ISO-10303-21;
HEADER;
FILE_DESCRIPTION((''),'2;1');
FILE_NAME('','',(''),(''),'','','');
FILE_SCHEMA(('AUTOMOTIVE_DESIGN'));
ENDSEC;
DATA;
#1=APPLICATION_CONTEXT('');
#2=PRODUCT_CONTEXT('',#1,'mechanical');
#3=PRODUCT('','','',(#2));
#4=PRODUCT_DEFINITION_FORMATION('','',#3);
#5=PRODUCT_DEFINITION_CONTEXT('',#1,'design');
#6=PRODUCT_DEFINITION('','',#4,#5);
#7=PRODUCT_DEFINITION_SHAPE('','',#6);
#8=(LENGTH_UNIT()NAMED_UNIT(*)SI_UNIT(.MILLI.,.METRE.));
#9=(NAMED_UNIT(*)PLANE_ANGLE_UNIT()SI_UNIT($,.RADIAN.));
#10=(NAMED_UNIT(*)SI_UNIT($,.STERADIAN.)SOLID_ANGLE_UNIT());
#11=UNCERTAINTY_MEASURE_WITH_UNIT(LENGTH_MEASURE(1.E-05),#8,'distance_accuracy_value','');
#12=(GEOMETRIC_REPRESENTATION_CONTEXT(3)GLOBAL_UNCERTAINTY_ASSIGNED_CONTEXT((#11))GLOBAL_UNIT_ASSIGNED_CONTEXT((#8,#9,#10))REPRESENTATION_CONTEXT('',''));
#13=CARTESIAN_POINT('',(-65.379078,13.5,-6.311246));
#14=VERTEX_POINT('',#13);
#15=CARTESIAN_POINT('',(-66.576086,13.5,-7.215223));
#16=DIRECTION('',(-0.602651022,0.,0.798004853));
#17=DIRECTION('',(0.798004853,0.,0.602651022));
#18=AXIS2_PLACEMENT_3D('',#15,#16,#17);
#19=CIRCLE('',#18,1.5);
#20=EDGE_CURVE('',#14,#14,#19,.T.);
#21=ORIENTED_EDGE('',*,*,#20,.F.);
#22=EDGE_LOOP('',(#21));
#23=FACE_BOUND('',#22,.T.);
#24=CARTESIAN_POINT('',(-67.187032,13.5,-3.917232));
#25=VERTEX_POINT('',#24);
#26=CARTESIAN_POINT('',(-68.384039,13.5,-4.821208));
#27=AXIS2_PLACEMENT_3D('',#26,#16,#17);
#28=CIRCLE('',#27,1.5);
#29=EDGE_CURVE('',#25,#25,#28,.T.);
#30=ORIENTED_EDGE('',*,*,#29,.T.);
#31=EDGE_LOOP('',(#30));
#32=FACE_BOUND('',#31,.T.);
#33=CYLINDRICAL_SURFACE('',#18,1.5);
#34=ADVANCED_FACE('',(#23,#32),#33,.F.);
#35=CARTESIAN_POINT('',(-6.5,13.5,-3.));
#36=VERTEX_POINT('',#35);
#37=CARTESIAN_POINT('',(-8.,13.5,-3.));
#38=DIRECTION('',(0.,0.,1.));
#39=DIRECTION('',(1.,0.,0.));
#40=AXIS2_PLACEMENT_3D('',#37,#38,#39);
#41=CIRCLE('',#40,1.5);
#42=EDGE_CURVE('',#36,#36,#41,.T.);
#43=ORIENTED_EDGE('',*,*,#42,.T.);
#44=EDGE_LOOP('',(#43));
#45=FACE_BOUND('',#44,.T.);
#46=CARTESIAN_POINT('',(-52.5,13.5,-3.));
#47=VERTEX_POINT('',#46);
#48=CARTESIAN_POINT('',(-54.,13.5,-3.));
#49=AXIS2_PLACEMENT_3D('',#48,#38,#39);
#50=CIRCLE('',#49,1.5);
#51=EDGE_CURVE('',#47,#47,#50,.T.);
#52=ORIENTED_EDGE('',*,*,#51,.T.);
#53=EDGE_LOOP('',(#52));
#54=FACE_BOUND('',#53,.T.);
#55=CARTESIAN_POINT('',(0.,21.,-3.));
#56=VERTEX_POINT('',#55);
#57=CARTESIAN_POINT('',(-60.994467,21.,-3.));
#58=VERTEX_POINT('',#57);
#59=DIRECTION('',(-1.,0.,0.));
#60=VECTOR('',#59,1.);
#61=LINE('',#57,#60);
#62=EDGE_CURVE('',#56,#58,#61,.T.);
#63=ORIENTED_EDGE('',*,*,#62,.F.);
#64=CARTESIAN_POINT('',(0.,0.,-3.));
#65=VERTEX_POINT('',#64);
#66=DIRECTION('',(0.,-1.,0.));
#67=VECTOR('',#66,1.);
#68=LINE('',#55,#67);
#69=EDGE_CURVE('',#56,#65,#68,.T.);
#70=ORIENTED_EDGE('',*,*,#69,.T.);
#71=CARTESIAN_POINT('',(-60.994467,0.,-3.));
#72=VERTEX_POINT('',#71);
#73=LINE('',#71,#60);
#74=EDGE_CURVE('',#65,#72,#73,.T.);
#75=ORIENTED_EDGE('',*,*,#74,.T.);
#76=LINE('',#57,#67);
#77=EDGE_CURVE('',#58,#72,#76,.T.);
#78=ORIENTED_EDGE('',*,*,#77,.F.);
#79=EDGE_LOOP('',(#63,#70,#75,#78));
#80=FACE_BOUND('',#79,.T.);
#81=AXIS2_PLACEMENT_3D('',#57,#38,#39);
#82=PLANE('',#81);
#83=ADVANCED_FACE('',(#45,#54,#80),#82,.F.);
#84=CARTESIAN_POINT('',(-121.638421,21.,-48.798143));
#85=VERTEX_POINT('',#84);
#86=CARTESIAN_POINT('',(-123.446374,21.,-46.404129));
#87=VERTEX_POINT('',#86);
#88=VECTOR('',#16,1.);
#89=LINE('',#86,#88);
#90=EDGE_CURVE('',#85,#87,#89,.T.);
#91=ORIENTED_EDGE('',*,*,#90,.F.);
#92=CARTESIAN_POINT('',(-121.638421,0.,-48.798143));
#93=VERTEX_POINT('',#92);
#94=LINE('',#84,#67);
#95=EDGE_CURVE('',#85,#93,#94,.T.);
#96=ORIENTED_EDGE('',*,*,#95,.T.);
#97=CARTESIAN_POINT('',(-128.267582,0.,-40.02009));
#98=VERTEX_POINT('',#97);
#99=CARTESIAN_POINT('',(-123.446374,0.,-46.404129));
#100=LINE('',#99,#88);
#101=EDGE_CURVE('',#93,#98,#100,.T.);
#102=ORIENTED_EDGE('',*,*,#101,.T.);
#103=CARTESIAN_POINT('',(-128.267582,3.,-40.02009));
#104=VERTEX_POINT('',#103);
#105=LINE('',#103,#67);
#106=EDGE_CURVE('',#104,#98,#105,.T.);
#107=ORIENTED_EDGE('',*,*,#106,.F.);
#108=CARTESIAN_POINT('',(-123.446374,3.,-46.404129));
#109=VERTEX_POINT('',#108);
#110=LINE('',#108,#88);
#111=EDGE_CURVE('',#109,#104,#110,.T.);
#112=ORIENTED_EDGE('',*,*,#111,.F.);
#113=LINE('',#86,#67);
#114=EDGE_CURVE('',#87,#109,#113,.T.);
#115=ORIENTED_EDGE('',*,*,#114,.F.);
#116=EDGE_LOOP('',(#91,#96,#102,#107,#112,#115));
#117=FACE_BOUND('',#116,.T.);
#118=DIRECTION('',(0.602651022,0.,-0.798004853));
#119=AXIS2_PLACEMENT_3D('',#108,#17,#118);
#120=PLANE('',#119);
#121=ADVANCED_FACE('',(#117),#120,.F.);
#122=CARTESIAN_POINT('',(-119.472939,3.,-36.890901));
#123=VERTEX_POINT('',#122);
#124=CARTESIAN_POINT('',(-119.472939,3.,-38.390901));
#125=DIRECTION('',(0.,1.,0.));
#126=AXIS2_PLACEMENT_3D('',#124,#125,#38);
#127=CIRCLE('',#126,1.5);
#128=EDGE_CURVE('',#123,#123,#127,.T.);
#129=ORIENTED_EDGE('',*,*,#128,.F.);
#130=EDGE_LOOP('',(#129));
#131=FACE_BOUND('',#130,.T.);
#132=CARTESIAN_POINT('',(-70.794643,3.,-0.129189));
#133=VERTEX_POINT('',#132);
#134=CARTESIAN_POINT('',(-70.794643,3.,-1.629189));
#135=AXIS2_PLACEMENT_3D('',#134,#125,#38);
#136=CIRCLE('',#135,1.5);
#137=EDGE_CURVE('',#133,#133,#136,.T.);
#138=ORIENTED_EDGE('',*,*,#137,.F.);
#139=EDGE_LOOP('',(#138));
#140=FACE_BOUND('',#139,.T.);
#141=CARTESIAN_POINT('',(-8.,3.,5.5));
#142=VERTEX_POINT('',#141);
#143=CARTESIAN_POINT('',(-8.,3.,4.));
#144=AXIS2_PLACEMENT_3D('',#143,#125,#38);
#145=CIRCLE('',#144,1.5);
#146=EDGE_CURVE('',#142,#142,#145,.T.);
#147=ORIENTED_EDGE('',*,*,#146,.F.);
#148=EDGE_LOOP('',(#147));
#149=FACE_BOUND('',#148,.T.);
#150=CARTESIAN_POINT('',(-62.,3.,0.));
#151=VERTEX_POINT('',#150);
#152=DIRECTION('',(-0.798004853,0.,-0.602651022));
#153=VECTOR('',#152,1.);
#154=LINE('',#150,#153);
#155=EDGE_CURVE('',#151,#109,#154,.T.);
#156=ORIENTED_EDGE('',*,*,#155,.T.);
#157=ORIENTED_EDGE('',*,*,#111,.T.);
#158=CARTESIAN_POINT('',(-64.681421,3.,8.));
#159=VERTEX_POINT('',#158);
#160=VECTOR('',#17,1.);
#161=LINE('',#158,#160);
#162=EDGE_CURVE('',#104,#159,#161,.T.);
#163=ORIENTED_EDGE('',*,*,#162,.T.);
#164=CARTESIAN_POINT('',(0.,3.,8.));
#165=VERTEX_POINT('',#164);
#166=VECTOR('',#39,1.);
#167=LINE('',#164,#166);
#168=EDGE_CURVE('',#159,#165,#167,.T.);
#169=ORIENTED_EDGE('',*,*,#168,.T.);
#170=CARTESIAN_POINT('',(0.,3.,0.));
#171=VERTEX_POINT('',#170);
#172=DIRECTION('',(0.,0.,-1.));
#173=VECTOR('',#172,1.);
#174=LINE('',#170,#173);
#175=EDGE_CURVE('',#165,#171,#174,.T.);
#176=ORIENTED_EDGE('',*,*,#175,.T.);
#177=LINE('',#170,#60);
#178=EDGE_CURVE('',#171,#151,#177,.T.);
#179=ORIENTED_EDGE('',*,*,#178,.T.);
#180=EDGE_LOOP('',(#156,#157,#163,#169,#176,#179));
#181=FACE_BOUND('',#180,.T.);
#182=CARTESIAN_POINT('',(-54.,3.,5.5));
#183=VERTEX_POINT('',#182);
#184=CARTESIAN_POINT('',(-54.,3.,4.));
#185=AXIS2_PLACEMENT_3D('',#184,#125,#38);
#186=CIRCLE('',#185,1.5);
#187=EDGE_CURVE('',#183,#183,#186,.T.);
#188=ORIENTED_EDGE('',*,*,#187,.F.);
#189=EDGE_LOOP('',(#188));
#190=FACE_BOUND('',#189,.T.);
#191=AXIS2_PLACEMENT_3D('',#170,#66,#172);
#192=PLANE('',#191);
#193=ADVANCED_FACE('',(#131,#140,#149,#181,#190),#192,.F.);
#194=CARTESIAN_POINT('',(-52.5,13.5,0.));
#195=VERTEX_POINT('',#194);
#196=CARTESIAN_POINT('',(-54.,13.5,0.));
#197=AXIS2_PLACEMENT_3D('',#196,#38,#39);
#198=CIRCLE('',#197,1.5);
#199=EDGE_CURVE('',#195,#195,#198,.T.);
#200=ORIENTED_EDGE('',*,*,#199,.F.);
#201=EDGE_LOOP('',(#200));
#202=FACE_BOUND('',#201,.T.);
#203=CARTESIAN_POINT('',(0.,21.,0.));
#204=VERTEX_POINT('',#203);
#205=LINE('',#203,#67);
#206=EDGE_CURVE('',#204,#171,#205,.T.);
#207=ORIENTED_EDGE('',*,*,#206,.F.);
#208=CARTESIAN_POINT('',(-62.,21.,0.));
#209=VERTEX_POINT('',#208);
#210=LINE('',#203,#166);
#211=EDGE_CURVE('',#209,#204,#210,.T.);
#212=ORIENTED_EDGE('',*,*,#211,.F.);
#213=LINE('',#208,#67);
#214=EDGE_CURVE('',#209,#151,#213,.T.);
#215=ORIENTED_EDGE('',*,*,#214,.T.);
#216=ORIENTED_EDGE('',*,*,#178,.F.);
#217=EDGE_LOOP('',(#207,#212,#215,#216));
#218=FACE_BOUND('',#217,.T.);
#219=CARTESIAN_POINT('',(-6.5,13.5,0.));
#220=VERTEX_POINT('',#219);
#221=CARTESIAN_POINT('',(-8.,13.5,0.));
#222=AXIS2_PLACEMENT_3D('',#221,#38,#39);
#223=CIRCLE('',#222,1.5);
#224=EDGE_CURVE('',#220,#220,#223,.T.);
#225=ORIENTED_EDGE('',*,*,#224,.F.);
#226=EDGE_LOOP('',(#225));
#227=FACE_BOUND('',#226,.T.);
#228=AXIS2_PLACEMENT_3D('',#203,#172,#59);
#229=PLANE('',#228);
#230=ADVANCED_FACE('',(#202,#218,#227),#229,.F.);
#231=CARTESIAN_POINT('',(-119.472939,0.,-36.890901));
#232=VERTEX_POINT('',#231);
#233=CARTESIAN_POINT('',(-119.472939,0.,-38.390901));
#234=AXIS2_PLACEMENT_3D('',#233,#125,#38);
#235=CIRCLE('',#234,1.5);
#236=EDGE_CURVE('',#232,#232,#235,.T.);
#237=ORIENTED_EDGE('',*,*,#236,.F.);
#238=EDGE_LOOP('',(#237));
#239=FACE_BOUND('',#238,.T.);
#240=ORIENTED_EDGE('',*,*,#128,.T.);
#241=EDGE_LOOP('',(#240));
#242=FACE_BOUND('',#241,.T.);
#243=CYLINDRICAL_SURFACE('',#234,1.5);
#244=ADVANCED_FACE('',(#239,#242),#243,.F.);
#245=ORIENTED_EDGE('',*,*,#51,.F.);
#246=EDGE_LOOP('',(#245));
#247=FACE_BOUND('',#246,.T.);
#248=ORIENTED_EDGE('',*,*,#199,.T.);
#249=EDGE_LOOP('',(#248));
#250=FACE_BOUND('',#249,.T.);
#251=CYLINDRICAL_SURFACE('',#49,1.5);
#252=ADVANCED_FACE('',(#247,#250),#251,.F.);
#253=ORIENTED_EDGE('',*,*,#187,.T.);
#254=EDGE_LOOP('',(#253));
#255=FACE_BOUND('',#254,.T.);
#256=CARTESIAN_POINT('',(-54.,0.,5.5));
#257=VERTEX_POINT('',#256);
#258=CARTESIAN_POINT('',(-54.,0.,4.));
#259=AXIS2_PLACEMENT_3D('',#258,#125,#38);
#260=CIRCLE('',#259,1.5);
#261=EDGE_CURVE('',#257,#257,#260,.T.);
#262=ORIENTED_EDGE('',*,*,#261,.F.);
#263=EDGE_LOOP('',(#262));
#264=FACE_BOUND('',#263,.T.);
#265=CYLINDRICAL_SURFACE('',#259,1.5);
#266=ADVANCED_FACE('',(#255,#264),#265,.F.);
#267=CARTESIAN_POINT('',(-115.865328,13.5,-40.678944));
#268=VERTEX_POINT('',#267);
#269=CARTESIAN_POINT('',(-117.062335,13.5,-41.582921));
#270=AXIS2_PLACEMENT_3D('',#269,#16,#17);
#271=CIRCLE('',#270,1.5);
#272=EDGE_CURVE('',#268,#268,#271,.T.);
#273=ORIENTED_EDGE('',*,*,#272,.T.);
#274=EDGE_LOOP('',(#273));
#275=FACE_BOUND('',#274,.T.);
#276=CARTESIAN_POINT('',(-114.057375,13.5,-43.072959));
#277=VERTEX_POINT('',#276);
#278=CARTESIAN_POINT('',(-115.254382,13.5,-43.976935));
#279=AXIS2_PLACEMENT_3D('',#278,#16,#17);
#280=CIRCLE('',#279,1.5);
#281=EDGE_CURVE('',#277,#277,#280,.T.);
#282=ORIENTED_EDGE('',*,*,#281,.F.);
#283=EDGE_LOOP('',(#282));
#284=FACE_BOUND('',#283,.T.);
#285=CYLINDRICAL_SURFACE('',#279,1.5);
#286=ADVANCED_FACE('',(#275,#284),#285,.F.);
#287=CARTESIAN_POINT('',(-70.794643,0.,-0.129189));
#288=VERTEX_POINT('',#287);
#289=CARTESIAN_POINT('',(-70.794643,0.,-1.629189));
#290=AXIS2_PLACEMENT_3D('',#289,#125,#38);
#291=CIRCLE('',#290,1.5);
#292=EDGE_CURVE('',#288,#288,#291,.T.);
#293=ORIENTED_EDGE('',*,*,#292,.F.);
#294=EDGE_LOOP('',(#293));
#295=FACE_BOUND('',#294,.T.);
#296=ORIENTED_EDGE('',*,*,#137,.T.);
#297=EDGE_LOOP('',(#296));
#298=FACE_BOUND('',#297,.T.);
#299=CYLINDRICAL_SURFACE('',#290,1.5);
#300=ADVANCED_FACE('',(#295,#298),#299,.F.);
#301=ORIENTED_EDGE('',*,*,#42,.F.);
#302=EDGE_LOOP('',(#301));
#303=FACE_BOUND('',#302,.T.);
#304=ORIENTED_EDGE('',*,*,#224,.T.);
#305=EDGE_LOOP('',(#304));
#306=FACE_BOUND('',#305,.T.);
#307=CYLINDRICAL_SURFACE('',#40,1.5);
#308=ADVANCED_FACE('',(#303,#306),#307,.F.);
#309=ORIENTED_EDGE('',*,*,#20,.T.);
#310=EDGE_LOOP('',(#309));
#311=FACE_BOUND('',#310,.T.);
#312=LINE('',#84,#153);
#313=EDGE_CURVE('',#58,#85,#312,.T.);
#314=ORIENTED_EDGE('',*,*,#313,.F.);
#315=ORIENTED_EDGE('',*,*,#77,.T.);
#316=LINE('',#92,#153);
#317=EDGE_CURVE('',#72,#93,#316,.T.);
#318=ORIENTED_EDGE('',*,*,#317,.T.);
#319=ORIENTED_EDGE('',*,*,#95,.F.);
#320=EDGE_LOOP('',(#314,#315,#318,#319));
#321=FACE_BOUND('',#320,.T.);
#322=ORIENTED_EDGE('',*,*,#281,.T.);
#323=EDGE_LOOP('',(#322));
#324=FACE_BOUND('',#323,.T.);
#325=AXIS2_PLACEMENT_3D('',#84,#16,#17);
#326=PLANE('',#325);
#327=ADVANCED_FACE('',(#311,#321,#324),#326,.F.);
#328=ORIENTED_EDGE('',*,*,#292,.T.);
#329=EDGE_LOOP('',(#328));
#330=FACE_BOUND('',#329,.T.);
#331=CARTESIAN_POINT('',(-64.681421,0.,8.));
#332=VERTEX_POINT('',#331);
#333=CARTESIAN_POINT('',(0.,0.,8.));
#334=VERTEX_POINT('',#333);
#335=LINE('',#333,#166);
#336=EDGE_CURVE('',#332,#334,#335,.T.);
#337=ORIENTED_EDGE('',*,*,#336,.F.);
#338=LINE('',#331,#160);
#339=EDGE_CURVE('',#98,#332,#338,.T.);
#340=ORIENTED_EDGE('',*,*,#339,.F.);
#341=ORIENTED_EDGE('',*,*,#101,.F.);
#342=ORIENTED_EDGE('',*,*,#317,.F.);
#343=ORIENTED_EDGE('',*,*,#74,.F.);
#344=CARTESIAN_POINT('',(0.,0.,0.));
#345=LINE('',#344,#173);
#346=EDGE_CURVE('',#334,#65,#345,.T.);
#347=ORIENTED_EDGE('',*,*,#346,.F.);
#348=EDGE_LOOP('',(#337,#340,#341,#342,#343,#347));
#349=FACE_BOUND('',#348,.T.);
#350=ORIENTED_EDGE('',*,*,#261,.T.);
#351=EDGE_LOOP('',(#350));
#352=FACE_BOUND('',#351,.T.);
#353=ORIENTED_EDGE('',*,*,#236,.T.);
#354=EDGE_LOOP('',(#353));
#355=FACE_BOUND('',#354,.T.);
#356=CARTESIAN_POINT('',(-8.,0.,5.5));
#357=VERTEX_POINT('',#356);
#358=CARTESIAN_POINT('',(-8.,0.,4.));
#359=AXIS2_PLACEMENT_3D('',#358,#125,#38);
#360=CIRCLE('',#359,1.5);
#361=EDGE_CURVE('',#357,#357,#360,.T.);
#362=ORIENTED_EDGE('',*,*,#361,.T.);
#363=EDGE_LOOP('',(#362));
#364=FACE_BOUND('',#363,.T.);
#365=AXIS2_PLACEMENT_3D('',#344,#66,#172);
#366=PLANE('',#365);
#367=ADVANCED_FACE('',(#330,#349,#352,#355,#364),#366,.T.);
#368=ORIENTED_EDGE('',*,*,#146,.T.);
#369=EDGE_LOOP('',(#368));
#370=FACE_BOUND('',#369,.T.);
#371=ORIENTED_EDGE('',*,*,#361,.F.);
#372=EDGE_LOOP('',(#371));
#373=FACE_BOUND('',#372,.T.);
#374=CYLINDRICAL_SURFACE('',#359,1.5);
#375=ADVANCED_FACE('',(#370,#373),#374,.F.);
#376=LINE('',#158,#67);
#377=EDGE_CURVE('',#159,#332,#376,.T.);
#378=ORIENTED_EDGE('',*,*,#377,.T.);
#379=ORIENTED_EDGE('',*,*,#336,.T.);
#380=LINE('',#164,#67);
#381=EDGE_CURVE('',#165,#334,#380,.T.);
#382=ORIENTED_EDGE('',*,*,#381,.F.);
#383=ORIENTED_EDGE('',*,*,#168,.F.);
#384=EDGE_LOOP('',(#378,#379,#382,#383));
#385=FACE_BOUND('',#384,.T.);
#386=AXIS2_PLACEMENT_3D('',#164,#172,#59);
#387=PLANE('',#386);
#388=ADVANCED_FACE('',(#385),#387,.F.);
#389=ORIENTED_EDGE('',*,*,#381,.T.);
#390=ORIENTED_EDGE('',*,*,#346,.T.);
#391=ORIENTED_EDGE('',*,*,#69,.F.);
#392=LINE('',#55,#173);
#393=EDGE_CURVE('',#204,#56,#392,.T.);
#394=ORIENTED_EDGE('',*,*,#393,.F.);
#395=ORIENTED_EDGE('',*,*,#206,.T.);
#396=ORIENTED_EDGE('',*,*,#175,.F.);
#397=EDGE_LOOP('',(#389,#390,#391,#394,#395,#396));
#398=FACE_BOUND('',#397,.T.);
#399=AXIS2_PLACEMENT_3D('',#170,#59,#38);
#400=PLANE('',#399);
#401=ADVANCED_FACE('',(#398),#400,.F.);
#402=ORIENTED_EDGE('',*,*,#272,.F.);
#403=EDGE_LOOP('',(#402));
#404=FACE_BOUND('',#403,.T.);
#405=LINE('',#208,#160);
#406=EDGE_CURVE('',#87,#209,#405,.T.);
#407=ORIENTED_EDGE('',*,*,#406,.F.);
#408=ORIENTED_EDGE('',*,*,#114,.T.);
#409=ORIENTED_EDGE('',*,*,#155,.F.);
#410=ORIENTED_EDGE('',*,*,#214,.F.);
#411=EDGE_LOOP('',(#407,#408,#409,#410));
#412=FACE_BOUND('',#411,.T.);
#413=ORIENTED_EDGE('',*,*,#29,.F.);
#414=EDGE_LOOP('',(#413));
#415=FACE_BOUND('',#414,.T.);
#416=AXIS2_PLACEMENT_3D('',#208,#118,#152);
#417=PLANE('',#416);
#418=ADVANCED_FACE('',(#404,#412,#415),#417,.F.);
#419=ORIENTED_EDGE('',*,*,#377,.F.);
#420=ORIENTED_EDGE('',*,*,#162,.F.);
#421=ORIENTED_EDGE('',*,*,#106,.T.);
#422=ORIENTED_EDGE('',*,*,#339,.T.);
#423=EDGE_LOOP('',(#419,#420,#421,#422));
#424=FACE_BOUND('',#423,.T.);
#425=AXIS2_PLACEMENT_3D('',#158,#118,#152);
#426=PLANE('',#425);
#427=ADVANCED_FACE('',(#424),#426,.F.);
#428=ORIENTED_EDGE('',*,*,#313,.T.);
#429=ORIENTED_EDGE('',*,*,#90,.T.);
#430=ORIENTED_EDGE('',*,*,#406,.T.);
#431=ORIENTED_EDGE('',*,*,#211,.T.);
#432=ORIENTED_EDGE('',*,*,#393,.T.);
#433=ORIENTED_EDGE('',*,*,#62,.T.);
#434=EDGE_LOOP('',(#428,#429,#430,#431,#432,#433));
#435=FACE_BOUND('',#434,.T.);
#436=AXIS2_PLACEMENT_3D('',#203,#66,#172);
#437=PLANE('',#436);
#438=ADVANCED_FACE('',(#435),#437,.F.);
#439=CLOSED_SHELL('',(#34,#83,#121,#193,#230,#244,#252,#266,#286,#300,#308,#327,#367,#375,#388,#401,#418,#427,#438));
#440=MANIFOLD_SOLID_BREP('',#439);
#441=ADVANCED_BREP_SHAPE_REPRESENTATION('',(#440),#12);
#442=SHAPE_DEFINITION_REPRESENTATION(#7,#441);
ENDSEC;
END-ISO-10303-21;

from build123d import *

# Parameters (mm, degrees)
SALIENTE_EXTRUIR4_DEPTH      = 3
SALIENTE_EXTRUIR6_DEPTH      = 18
SALIENTE_EXTRUIR6_DEPTH_BACK = 3
CROQUIS5_R                   = 1.5
CORTAR_EXTRUIR2_DEPTH        = 3
CROQUIS6_R                   = 1.5
CORTAR_EXTRUIR3_DEPTH        = 3
CROQUIS7_R                   = 1.5
CORTAR_EXTRUIR5_DEPTH        = 3
CROQUIS8_R                   = 1.5
CORTAR_EXTRUIR6_DEPTH        = 3
CROQUIS9_R                   = 1.5
CORTAR_EXTRUIR7_DEPTH        = 3
CROQUIS10_R                  = 1.5
SALIENTE_EXTRUIR7_DEPTH      = 3


with BuildPart() as part:
    # Croquis1 → Saliente-Extruir4 (new body)
    with BuildSketch(Plane(origin=(0, 0, 0), x_dir=(1, 0, 0), z_dir=(0, 1, 0))):
        Polygon((0, 0), (-62, 0), (-123.446373684, 46.404128707), (-128.267581862, 40.020089883), (-64.681421115, -8), (0, -8), align=None)
    extrude(amount=SALIENTE_EXTRUIR4_DEPTH)

    # Croquis4 → Saliente-Extruir6 (add, two sides: drawn at the far end of the back side and taken through both)
    with BuildSketch(Plane(origin=(0, 3, 0), x_dir=(1, 0, 0), z_dir=(0, 1, 0)).offset(-SALIENTE_EXTRUIR6_DEPTH_BACK)):
        Polygon((-123.446373684, 46.404128707), (-121.638420618, 48.798143266), (-60.994467082, 3), (0, 3), (0, 0), (-62, 0), align=None)
    extrude(amount=SALIENTE_EXTRUIR6_DEPTH + SALIENTE_EXTRUIR6_DEPTH_BACK)

    # Croquis5 → Cortar-Extruir2 (cut)
    with BuildSketch(Plane(origin=(0, 3, 0), x_dir=(1, 0, 0), z_dir=(0, 1, 0))):
        with Locations(Location((-4, -4, 0), (0, 0, 270))):
            Circle(CROQUIS5_R)
        with Locations(Location((-58, -4, 0), (0, 0, 270))):
            Circle(CROQUIS5_R)
    extrude(amount=-CORTAR_EXTRUIR2_DEPTH, mode=Mode.SUBTRACT)

    # Croquis6 → Cortar-Extruir3 (cut)
    with BuildSketch(Plane(origin=(0, 3, 0), x_dir=(1, 0, 0), z_dir=(0, 1, 0))):
        with Locations(Location((-122.664958361, 40.801505206, 0), (0, 0, 270))):
            Circle(CROQUIS6_R)
        with Locations(Location((-67.602623501, -0.781415324, 0), (0, 0, 270))):
            Circle(CROQUIS6_R)
    extrude(amount=-CORTAR_EXTRUIR3_DEPTH, mode=Mode.SUBTRACT)

    # Croquis7 → Cortar-Extruir5 (cut)
    with BuildSketch(Plane(origin=(-22.51767178, 0, 29.816943304), x_dir=(0.7980048530430802, 0, 0.6026510221676322), z_dir=(-0.6026510221676322, 0, 0.7980048530430802))):
        with Locations((-118.476300889, 13.5)):
            Circle(CROQUIS7_R)
        with Locations((-57.476300889, 13.5)):
            Circle(CROQUIS7_R)
    extrude(amount=-CORTAR_EXTRUIR5_DEPTH, mode=Mode.SUBTRACT)

    # Croquis8 → Cortar-Extruir6 (cut)
    with BuildSketch(Plane.XY):
        with Locations((-54, 13.5)):
            Circle(CROQUIS8_R)
        with Locations((-8, 13.5)):
            Circle(CROQUIS8_R)
    extrude(amount=-CORTAR_EXTRUIR6_DEPTH, mode=Mode.SUBTRACT)

    # Croquis9 → Cortar-Extruir7 (cut)
    with BuildSketch(Plane(origin=(0, 3, 0), x_dir=(1, 0, 0), z_dir=(0, 1, 0))):
        with Locations(Location((-119.472938949, 38.390901117, 0), (0, 0, 270))):
            Circle(CROQUIS9_R)
        with Locations(Location((-70.794642913, 1.629188765, 0), (0, 0, 270))):
            Circle(CROQUIS9_R)
        with Locations(Location((-54, -4, 0), (0, 0, 270))):
            Circle(CROQUIS9_R)
        with Locations(Location((-8, -4, 0), (0, 0, 270))):
            Circle(CROQUIS9_R)
    extrude(amount=-CORTAR_EXTRUIR7_DEPTH, mode=Mode.SUBTRACT)

    # Croquis10 → Saliente-Extruir7 (add)
    with BuildSketch(Plane(origin=(0, 3, 0), x_dir=(1, 0, 0), z_dir=(0, 1, 0))):
        with Locations((-58, -4)):
            Circle(CROQUIS10_R)
        with Locations((-4, -4)):
            Circle(CROQUIS10_R)
        with Locations((-67.602623501, -0.781415324)):
            Circle(CROQUIS10_R)
        with Locations((-122.664958361, 40.801505206)):
            Circle(CROQUIS10_R)
    extrude(amount=-SALIENTE_EXTRUIR7_DEPTH)


solid = part.part
